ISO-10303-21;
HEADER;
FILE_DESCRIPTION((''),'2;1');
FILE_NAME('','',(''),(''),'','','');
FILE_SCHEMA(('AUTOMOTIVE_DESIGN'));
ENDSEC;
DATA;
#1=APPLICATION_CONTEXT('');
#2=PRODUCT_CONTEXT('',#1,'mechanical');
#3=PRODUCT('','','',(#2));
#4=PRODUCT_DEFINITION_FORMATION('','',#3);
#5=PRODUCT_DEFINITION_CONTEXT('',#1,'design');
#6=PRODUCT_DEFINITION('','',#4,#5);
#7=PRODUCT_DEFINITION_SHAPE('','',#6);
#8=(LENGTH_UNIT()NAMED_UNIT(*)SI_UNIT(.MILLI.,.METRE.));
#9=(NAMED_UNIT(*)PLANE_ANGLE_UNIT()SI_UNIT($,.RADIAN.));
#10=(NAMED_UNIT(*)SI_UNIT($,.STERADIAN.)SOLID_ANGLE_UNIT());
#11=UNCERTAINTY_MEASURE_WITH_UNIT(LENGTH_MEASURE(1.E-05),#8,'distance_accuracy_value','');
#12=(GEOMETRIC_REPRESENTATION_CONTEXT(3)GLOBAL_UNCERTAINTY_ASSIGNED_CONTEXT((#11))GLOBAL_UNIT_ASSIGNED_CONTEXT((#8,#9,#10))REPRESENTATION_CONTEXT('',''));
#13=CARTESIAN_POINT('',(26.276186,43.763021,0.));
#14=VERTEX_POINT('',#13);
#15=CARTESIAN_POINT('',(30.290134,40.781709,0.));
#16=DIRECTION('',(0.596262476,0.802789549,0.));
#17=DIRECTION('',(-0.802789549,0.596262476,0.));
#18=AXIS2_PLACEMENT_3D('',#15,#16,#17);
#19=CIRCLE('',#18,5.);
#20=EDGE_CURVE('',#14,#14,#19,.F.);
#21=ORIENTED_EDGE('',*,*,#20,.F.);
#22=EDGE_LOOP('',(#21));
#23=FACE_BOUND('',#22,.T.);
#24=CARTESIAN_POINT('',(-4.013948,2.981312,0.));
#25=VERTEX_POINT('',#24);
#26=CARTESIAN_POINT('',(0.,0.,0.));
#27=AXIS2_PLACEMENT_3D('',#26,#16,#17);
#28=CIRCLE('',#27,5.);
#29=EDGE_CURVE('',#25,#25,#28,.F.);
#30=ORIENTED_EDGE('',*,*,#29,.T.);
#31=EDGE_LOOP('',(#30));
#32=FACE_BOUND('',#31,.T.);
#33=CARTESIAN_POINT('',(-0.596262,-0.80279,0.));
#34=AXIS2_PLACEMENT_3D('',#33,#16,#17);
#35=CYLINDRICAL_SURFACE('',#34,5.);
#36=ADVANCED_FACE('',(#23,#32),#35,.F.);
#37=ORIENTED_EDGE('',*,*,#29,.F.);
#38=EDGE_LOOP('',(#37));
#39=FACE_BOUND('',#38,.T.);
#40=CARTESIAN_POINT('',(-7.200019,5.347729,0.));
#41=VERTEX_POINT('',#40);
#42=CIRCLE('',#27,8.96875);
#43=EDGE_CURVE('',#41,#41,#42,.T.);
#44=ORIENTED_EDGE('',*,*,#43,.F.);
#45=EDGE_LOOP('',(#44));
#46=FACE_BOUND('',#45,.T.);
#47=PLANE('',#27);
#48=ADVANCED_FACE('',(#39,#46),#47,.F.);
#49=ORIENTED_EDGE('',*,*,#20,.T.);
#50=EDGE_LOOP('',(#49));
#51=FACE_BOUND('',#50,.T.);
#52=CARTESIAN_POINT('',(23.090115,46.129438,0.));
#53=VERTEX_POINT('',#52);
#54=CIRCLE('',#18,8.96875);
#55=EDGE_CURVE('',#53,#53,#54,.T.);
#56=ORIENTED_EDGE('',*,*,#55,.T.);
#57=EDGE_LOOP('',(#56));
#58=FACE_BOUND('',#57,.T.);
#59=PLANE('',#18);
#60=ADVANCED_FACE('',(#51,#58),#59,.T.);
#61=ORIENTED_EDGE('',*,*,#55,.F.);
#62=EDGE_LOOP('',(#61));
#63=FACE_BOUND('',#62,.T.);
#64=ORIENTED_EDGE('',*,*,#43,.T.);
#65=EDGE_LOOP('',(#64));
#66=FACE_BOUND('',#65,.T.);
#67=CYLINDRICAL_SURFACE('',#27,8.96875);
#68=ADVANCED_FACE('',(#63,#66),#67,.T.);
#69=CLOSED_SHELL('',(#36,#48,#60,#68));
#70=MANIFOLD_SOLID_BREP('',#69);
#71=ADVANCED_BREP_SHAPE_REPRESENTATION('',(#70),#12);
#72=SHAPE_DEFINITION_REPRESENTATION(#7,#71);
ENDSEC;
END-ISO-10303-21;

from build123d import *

# Parameters (mm, degrees)
SWEEP1_PROFILE_R     = 8.96875
CUT_SWEEP1_PROFILE_R = 5


with BuildPart() as part:
    # Sweep1: sweep along a curve in space
    with BuildLine() as sweep1_path:
        Line((0, 0, 0), (30.290133782, 40.78170908, 0))
    # Sweep1 profile (on start of the path) → Sweep1 (sweep)
    with BuildSketch(Plane(origin=(0, 0, 0), x_dir=(0.802789548818902, -0.5962624760180233, 0), z_dir=(0.5962624760180233, 0.802789548818902, 0))):
        Circle(SWEEP1_PROFILE_R)
    sweep(path=sweep1_path.line)

    # Cut-Sweep1: sweep along a curve in space
    with BuildLine() as cut_sweep1_path:
        Line((0, 0, 0), (30.290133782, 40.78170908, 0))
    # Cut-Sweep1 profile (on start of the path) → Cut-Sweep1 (sweep, cut)
    with BuildSketch(Plane(origin=(0, 0, 0), x_dir=(0.802789548818902, -0.5962624760180233, 0), z_dir=(0.5962624760180233, 0.802789548818902, 0))):
        Circle(CUT_SWEEP1_PROFILE_R)
    sweep(path=cut_sweep1_path.line, mode=Mode.SUBTRACT)


solid = part.part
